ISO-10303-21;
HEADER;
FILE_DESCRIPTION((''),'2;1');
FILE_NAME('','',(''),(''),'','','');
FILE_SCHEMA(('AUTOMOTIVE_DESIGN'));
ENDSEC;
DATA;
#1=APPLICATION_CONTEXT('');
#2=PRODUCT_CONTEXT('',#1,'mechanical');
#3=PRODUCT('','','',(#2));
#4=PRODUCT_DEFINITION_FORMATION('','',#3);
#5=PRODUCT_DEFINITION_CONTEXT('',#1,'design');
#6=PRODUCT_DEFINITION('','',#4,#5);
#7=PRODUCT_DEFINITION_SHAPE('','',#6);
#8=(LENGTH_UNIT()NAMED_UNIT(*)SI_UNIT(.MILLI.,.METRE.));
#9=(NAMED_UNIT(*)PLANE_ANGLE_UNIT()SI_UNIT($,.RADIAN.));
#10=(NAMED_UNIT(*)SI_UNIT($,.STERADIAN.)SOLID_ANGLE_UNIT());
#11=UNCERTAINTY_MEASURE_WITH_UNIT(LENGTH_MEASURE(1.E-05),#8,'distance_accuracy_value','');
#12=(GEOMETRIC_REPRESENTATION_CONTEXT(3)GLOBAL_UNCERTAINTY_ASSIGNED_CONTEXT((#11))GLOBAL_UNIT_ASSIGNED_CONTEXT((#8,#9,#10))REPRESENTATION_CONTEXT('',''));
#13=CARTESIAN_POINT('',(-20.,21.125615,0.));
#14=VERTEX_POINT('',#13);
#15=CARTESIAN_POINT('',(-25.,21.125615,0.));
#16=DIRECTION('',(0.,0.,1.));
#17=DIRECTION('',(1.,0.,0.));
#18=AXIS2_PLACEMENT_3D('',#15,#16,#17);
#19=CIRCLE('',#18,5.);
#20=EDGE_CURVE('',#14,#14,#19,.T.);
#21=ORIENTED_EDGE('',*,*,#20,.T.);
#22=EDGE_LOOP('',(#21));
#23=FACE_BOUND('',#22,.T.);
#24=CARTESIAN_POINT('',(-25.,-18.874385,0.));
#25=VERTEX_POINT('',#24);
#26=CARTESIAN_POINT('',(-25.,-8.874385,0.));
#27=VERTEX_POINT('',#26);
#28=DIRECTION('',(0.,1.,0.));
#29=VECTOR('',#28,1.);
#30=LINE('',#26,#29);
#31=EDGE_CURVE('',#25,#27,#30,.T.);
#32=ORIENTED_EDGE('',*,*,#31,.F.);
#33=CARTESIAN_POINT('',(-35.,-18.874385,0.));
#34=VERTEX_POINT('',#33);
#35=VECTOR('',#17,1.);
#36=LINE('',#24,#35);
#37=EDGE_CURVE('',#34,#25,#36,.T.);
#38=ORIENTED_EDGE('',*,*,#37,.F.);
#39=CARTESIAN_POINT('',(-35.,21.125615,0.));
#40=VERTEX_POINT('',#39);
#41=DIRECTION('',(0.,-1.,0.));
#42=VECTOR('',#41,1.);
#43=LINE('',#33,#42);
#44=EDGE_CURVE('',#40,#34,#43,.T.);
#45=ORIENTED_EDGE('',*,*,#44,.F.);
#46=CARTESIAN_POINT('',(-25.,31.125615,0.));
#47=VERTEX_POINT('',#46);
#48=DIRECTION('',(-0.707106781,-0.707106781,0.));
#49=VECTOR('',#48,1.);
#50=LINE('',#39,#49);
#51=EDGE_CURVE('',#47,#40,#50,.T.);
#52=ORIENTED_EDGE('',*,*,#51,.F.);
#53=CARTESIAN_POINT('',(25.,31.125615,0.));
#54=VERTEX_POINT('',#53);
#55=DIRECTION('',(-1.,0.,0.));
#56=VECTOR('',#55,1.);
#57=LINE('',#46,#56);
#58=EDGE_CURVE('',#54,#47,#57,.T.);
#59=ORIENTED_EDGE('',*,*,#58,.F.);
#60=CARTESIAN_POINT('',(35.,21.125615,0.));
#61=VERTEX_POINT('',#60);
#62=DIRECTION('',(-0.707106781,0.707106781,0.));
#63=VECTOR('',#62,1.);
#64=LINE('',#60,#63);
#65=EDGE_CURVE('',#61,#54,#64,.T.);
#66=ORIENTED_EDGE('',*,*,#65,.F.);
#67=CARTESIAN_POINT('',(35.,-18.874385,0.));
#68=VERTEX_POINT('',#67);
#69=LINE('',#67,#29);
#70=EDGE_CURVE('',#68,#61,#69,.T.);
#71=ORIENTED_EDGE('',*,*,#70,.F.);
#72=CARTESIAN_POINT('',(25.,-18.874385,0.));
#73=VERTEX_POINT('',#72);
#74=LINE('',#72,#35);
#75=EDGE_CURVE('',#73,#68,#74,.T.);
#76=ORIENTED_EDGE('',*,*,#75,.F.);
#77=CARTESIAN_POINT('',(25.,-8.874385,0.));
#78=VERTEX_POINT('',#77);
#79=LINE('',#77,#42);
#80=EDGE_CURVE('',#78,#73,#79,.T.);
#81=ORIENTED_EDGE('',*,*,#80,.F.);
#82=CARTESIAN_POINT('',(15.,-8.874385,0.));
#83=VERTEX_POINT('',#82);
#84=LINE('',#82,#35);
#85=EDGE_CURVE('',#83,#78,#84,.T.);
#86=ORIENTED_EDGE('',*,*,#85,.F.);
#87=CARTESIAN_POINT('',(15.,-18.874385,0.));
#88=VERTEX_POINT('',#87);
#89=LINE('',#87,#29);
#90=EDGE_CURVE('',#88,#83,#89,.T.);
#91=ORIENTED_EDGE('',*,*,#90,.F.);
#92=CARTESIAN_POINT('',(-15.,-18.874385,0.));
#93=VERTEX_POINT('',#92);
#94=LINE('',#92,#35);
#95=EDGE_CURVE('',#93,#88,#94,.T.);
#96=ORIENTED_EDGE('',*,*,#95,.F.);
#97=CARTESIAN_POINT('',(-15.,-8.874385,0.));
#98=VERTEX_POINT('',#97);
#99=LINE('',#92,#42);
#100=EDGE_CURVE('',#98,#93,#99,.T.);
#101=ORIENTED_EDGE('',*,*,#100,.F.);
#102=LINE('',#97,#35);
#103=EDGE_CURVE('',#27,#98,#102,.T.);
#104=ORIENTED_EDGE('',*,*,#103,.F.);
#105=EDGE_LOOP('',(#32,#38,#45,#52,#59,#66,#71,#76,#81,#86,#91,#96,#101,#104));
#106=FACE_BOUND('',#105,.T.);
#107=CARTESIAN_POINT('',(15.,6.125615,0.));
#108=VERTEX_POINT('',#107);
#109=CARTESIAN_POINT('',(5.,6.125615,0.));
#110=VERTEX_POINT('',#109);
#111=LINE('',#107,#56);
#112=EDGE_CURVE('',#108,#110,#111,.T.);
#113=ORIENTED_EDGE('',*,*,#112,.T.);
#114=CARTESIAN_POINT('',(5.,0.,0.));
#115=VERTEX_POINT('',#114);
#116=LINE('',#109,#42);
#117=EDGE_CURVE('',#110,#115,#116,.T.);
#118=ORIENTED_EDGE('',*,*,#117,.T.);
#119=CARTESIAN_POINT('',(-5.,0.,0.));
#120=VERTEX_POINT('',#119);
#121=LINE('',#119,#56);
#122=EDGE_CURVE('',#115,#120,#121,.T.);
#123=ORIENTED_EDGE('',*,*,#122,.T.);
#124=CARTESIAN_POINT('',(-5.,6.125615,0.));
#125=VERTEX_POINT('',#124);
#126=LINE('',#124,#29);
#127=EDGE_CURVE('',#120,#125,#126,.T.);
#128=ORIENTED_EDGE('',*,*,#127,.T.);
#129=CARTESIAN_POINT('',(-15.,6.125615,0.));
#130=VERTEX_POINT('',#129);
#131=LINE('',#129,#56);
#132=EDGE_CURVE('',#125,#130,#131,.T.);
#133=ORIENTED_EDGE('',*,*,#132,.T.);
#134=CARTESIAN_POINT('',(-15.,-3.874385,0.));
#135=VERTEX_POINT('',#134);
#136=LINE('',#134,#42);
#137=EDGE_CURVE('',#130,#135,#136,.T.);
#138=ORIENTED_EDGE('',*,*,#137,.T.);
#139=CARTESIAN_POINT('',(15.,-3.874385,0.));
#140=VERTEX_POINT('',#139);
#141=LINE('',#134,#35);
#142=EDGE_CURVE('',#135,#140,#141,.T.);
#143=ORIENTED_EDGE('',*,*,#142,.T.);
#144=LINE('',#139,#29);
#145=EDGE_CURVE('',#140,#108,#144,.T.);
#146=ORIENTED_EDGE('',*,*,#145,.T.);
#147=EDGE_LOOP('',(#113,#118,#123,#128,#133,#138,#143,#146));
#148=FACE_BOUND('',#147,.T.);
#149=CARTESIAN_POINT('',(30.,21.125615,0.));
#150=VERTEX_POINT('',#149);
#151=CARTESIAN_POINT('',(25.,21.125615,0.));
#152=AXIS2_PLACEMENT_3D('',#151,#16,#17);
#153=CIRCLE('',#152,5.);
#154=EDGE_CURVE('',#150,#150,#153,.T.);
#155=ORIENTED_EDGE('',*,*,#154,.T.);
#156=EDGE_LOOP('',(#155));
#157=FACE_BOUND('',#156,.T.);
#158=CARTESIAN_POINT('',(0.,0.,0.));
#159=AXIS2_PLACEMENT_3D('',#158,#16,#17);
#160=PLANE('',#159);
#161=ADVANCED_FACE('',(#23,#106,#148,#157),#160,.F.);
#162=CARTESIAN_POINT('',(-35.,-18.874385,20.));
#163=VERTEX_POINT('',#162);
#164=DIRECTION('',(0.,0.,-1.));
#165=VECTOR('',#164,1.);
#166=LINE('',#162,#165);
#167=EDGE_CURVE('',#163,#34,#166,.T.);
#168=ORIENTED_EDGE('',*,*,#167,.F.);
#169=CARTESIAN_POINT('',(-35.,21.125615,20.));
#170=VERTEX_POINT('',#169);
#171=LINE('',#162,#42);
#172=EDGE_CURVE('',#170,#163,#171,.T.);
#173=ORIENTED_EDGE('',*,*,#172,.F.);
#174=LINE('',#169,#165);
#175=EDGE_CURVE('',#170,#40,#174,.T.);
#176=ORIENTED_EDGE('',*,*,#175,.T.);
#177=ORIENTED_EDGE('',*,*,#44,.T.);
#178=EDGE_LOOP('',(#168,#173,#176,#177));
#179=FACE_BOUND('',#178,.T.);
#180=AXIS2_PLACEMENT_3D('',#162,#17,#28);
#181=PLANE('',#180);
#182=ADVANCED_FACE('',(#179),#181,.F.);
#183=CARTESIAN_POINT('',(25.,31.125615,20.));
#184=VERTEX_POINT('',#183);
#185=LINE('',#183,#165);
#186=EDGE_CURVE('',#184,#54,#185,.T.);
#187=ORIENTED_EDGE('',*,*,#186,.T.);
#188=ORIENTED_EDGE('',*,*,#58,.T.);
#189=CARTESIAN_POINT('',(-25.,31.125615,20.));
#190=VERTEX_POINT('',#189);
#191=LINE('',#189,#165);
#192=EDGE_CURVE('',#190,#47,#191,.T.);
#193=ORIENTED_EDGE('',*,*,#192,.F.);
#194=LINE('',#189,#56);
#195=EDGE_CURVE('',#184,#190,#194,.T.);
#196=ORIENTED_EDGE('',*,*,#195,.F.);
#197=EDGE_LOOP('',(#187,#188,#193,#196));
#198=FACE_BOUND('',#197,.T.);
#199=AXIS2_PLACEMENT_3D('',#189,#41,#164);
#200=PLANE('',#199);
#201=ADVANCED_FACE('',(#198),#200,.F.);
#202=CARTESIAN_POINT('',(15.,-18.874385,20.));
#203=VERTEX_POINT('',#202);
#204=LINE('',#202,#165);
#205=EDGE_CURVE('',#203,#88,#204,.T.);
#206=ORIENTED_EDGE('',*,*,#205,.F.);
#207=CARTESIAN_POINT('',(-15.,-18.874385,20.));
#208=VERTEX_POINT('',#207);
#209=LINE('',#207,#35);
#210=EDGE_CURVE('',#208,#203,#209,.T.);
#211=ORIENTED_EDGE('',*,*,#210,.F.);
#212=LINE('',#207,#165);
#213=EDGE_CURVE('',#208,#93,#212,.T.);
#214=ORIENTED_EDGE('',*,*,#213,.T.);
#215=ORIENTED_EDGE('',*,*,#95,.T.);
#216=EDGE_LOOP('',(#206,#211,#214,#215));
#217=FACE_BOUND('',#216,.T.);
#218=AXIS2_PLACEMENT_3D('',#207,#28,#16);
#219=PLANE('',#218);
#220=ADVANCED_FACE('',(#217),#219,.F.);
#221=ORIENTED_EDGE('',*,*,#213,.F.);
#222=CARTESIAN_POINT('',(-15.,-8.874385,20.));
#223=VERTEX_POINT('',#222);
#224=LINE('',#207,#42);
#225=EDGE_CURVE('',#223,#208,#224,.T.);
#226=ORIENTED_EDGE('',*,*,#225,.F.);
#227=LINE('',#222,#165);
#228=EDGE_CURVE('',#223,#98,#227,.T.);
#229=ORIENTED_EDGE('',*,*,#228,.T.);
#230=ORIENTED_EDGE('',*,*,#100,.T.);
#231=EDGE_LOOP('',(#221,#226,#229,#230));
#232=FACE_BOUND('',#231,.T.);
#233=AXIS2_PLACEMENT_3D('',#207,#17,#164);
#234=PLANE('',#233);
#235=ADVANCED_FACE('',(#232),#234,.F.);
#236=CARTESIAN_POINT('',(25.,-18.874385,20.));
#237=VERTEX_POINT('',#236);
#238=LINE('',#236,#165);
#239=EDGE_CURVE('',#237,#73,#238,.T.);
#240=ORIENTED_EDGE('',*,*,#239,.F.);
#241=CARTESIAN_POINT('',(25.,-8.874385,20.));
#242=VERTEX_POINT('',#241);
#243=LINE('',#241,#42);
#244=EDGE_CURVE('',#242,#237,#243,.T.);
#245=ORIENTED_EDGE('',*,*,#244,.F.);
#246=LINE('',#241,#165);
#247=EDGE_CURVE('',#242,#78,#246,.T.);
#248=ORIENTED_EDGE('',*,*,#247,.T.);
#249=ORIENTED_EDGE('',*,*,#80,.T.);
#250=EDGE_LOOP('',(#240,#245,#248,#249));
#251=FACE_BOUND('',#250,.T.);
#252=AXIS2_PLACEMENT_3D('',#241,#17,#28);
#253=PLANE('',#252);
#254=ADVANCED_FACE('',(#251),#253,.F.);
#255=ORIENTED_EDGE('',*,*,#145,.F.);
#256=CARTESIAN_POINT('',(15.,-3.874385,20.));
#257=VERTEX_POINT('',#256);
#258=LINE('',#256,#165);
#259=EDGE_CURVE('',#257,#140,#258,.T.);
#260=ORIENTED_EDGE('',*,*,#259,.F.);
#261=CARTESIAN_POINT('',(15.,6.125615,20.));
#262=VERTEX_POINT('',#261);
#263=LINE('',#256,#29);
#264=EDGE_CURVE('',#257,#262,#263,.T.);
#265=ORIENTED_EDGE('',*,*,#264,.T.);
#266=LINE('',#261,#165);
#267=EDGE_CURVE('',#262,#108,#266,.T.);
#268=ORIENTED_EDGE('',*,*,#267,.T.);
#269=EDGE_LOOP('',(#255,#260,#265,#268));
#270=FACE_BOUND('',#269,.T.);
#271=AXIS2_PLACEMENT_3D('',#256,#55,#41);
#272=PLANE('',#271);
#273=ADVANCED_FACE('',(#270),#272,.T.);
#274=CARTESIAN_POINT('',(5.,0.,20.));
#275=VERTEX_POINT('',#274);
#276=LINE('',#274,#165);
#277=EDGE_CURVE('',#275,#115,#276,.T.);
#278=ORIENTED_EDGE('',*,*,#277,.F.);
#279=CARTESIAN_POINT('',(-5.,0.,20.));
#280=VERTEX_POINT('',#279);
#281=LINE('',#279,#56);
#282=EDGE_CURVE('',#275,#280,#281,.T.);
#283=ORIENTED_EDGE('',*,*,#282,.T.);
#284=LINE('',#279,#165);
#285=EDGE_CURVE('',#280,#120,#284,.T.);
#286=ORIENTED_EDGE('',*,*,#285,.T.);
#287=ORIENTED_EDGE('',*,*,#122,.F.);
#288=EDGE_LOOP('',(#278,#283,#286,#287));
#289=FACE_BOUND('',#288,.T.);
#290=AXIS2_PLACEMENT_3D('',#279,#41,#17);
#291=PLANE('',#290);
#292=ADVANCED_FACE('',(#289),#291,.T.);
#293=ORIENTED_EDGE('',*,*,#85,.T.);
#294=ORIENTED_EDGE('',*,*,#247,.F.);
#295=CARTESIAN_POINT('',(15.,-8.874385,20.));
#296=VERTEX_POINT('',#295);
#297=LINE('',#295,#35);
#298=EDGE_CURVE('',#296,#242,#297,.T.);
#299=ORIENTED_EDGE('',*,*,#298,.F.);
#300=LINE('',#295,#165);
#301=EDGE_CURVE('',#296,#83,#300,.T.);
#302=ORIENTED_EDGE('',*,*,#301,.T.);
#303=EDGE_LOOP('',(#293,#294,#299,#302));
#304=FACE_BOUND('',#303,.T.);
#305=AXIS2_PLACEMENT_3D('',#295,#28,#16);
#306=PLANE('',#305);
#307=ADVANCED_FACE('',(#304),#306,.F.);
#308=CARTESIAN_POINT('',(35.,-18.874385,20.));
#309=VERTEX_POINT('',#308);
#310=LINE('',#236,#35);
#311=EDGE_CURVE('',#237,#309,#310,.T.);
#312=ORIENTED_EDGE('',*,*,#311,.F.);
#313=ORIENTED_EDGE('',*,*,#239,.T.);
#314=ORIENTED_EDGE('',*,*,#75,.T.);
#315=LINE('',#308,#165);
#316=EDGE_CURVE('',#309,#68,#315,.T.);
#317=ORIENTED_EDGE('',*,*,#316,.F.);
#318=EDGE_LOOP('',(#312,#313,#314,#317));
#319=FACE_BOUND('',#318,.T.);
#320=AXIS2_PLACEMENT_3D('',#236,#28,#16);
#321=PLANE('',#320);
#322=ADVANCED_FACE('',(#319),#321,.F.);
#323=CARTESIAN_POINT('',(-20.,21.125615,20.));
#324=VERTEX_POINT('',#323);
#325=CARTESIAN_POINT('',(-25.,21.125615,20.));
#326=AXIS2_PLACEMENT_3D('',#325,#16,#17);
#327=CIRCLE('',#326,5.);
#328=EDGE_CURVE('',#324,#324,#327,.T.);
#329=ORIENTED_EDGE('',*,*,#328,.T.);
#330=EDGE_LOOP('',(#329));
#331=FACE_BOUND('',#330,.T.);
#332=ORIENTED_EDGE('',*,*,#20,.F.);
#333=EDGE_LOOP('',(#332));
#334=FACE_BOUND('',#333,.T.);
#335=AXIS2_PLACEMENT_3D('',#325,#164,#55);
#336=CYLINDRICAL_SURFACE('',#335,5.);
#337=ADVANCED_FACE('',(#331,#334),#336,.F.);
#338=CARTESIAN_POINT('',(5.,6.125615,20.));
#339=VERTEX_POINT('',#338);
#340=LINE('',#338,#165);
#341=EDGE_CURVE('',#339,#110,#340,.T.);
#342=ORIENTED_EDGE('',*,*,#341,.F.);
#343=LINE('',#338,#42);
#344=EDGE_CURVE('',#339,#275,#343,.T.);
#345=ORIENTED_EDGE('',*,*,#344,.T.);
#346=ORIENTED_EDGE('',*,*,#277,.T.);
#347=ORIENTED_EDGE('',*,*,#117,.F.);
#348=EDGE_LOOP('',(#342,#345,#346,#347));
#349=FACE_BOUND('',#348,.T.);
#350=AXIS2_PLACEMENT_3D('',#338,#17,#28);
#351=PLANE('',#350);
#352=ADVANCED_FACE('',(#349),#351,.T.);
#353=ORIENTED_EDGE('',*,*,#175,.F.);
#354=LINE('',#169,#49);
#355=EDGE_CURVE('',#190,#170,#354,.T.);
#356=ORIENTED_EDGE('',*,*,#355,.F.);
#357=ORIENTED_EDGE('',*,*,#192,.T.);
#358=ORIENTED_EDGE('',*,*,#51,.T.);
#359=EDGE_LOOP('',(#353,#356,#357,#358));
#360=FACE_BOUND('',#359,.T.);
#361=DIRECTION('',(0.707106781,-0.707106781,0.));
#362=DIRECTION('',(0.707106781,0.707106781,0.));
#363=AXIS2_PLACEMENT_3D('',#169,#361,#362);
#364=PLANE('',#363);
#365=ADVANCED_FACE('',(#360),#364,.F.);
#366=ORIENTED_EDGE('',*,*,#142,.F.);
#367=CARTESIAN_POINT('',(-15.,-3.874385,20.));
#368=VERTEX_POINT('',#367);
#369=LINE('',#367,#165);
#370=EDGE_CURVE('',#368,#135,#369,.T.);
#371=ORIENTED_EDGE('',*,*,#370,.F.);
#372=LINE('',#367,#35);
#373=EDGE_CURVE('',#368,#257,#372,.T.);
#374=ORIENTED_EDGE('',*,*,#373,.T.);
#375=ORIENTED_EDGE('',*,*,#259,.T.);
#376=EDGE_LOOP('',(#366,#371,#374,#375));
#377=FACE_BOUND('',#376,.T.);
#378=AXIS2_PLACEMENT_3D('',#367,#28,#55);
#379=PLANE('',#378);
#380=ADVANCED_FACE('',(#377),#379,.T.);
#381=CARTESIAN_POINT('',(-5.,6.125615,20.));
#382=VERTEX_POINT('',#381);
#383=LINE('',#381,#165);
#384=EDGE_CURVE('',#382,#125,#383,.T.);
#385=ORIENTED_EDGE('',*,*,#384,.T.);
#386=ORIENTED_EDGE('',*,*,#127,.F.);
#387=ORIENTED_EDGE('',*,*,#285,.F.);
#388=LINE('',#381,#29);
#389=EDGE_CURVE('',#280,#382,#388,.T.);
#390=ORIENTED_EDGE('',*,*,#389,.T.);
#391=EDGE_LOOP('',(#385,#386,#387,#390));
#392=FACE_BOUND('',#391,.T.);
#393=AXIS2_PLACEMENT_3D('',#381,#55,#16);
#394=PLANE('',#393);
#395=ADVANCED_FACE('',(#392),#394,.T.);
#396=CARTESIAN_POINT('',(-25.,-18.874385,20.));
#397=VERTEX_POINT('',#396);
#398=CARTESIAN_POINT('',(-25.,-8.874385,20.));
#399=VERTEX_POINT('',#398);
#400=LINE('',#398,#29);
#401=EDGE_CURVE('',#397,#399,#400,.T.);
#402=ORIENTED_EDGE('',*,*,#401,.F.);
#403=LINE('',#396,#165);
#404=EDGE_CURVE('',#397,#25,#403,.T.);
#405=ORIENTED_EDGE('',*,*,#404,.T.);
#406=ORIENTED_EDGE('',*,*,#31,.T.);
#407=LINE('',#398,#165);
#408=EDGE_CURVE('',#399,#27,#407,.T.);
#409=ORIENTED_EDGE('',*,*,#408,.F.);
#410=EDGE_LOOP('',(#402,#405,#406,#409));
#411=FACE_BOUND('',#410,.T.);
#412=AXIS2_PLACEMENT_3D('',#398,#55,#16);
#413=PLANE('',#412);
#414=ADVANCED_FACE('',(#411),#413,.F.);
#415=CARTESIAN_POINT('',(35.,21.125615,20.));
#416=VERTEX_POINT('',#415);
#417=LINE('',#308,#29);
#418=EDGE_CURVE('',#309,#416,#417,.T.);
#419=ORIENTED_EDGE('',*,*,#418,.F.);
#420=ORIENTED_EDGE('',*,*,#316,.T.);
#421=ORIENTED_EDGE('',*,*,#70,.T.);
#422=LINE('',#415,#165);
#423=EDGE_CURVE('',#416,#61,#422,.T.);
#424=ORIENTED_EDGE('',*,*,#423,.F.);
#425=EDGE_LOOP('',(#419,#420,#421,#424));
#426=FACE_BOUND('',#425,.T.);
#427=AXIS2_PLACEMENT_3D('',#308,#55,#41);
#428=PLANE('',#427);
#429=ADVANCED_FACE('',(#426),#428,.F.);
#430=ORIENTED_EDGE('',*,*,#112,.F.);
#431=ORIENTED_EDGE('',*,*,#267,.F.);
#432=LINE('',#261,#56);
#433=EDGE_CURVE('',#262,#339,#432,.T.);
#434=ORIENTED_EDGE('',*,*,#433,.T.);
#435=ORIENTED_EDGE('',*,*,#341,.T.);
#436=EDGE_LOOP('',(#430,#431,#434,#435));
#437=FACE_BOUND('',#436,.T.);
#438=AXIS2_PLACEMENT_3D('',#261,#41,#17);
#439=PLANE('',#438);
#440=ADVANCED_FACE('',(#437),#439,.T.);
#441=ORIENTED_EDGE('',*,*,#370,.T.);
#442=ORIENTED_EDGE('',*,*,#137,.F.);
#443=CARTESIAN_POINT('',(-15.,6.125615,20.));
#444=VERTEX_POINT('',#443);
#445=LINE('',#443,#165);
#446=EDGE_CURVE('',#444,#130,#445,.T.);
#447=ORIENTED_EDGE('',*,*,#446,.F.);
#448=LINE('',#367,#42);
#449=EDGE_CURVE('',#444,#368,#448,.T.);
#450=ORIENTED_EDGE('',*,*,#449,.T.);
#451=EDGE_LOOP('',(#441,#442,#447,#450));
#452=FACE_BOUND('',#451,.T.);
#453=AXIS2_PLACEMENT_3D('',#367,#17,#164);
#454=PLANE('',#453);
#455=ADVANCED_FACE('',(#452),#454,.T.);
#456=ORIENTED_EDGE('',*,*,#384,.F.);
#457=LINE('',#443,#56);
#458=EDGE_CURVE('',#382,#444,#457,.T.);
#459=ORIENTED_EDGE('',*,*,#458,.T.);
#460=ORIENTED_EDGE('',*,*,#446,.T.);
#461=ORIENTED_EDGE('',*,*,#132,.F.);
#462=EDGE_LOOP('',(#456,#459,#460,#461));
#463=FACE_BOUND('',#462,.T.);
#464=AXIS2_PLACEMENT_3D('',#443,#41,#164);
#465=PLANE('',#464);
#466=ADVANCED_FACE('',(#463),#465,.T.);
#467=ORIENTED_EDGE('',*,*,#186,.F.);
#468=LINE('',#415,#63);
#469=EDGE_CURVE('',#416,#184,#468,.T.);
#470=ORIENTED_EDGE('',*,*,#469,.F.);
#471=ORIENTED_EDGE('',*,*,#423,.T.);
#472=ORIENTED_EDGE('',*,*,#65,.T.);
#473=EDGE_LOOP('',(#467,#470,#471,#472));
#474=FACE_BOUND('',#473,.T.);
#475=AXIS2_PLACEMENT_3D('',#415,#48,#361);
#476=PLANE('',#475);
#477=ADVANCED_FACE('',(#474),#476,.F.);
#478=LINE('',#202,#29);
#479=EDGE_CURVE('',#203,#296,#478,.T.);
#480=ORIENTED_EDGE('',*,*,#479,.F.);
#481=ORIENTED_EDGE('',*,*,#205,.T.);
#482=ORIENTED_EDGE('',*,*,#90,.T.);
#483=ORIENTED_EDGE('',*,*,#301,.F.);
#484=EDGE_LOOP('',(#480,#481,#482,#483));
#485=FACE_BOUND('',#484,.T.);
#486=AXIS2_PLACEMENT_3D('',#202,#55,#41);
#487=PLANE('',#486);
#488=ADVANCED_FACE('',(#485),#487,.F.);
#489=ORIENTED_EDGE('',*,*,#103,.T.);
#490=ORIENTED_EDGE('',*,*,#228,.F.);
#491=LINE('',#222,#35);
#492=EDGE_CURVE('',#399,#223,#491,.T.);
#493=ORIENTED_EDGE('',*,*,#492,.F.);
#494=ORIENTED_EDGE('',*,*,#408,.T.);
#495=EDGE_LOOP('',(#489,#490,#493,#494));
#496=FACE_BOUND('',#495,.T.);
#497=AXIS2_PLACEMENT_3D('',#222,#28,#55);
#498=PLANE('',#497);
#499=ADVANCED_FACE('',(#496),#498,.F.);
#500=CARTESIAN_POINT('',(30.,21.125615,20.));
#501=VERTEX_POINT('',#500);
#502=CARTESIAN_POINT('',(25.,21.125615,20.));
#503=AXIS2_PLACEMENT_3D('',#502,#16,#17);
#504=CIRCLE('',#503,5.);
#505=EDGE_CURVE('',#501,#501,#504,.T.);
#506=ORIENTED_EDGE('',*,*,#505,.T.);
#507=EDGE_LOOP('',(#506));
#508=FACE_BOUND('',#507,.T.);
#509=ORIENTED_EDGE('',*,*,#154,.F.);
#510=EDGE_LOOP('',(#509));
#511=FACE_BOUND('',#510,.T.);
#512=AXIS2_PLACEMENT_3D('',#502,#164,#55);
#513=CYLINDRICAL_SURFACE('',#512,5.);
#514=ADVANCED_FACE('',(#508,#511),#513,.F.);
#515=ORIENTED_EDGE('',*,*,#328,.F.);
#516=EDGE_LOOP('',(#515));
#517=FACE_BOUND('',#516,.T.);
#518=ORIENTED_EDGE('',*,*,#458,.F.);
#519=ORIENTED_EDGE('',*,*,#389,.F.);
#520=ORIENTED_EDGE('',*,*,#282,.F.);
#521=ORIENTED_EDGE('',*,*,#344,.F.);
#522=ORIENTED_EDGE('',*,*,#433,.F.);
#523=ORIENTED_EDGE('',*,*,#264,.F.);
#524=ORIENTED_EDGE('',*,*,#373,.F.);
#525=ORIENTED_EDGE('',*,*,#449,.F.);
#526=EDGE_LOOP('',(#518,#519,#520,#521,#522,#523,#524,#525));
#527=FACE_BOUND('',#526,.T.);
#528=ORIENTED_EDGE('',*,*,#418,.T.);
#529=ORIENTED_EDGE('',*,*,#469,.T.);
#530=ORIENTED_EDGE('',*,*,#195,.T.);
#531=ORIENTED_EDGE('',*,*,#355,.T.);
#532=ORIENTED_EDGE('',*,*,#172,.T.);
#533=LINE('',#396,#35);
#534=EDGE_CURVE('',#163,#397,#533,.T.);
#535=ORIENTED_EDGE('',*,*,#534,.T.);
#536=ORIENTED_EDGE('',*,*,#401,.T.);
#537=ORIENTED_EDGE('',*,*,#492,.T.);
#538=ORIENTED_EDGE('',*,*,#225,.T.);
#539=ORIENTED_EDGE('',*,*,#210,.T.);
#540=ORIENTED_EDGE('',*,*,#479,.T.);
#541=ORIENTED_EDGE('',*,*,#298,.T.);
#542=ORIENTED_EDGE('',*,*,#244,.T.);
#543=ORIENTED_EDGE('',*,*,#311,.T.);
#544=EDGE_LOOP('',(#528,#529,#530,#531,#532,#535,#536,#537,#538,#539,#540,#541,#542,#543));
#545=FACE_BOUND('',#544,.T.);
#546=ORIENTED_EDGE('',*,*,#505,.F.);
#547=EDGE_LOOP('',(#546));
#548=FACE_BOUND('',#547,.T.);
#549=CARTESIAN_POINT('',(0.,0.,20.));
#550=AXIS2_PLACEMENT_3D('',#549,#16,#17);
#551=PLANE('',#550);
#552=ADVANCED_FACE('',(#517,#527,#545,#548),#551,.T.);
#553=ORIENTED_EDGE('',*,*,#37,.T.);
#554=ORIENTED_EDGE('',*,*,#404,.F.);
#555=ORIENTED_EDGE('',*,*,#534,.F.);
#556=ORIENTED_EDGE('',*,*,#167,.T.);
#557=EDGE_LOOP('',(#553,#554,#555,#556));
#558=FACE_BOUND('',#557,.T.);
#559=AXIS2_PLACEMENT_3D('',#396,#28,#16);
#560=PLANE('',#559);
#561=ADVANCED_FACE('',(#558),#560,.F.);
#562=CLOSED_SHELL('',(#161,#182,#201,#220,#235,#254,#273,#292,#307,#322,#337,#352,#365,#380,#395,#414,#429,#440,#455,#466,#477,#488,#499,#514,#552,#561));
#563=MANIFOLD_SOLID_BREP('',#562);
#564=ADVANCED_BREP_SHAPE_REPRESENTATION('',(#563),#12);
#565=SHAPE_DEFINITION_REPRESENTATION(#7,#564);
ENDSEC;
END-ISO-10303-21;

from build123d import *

# Parameters (mm, degrees)
SKETCH1_R           = 5
BOSS_EXTRUDE1_DEPTH = 20


with BuildPart() as part:
    # Sketch1 → Boss-Extrude1 (new body)
    with BuildSketch(Plane.XY):
        Polygon((-15, -18.874385216), (15, -18.874385216), (15, -8.874385216), (25, -8.874385216), (25, -18.874385216), (35, -18.874385216), (35, 21.125614784), (25, 31.125614784), (-25, 31.125614784), (-35, 21.125614784), (-35, -18.874385216), (-25, -18.874385216), (-25, -8.874385216), (-15, -8.874385216), align=None)
        with Locations((-25, 21.125614784)):
            Circle(SKETCH1_R, mode=Mode.SUBTRACT)
        with Locations((25, 21.125614784)):
            Circle(SKETCH1_R, mode=Mode.SUBTRACT)
        Polygon((-5, 0), (5, 0), (5, 6.125614784), (15, 6.125614784), (15, -3.874385216), (-15, -3.874385216), (-15, 6.125614784), (-5, 6.125614784), align=None, mode=Mode.SUBTRACT)
    extrude(amount=BOSS_EXTRUDE1_DEPTH)


solid = part.part
